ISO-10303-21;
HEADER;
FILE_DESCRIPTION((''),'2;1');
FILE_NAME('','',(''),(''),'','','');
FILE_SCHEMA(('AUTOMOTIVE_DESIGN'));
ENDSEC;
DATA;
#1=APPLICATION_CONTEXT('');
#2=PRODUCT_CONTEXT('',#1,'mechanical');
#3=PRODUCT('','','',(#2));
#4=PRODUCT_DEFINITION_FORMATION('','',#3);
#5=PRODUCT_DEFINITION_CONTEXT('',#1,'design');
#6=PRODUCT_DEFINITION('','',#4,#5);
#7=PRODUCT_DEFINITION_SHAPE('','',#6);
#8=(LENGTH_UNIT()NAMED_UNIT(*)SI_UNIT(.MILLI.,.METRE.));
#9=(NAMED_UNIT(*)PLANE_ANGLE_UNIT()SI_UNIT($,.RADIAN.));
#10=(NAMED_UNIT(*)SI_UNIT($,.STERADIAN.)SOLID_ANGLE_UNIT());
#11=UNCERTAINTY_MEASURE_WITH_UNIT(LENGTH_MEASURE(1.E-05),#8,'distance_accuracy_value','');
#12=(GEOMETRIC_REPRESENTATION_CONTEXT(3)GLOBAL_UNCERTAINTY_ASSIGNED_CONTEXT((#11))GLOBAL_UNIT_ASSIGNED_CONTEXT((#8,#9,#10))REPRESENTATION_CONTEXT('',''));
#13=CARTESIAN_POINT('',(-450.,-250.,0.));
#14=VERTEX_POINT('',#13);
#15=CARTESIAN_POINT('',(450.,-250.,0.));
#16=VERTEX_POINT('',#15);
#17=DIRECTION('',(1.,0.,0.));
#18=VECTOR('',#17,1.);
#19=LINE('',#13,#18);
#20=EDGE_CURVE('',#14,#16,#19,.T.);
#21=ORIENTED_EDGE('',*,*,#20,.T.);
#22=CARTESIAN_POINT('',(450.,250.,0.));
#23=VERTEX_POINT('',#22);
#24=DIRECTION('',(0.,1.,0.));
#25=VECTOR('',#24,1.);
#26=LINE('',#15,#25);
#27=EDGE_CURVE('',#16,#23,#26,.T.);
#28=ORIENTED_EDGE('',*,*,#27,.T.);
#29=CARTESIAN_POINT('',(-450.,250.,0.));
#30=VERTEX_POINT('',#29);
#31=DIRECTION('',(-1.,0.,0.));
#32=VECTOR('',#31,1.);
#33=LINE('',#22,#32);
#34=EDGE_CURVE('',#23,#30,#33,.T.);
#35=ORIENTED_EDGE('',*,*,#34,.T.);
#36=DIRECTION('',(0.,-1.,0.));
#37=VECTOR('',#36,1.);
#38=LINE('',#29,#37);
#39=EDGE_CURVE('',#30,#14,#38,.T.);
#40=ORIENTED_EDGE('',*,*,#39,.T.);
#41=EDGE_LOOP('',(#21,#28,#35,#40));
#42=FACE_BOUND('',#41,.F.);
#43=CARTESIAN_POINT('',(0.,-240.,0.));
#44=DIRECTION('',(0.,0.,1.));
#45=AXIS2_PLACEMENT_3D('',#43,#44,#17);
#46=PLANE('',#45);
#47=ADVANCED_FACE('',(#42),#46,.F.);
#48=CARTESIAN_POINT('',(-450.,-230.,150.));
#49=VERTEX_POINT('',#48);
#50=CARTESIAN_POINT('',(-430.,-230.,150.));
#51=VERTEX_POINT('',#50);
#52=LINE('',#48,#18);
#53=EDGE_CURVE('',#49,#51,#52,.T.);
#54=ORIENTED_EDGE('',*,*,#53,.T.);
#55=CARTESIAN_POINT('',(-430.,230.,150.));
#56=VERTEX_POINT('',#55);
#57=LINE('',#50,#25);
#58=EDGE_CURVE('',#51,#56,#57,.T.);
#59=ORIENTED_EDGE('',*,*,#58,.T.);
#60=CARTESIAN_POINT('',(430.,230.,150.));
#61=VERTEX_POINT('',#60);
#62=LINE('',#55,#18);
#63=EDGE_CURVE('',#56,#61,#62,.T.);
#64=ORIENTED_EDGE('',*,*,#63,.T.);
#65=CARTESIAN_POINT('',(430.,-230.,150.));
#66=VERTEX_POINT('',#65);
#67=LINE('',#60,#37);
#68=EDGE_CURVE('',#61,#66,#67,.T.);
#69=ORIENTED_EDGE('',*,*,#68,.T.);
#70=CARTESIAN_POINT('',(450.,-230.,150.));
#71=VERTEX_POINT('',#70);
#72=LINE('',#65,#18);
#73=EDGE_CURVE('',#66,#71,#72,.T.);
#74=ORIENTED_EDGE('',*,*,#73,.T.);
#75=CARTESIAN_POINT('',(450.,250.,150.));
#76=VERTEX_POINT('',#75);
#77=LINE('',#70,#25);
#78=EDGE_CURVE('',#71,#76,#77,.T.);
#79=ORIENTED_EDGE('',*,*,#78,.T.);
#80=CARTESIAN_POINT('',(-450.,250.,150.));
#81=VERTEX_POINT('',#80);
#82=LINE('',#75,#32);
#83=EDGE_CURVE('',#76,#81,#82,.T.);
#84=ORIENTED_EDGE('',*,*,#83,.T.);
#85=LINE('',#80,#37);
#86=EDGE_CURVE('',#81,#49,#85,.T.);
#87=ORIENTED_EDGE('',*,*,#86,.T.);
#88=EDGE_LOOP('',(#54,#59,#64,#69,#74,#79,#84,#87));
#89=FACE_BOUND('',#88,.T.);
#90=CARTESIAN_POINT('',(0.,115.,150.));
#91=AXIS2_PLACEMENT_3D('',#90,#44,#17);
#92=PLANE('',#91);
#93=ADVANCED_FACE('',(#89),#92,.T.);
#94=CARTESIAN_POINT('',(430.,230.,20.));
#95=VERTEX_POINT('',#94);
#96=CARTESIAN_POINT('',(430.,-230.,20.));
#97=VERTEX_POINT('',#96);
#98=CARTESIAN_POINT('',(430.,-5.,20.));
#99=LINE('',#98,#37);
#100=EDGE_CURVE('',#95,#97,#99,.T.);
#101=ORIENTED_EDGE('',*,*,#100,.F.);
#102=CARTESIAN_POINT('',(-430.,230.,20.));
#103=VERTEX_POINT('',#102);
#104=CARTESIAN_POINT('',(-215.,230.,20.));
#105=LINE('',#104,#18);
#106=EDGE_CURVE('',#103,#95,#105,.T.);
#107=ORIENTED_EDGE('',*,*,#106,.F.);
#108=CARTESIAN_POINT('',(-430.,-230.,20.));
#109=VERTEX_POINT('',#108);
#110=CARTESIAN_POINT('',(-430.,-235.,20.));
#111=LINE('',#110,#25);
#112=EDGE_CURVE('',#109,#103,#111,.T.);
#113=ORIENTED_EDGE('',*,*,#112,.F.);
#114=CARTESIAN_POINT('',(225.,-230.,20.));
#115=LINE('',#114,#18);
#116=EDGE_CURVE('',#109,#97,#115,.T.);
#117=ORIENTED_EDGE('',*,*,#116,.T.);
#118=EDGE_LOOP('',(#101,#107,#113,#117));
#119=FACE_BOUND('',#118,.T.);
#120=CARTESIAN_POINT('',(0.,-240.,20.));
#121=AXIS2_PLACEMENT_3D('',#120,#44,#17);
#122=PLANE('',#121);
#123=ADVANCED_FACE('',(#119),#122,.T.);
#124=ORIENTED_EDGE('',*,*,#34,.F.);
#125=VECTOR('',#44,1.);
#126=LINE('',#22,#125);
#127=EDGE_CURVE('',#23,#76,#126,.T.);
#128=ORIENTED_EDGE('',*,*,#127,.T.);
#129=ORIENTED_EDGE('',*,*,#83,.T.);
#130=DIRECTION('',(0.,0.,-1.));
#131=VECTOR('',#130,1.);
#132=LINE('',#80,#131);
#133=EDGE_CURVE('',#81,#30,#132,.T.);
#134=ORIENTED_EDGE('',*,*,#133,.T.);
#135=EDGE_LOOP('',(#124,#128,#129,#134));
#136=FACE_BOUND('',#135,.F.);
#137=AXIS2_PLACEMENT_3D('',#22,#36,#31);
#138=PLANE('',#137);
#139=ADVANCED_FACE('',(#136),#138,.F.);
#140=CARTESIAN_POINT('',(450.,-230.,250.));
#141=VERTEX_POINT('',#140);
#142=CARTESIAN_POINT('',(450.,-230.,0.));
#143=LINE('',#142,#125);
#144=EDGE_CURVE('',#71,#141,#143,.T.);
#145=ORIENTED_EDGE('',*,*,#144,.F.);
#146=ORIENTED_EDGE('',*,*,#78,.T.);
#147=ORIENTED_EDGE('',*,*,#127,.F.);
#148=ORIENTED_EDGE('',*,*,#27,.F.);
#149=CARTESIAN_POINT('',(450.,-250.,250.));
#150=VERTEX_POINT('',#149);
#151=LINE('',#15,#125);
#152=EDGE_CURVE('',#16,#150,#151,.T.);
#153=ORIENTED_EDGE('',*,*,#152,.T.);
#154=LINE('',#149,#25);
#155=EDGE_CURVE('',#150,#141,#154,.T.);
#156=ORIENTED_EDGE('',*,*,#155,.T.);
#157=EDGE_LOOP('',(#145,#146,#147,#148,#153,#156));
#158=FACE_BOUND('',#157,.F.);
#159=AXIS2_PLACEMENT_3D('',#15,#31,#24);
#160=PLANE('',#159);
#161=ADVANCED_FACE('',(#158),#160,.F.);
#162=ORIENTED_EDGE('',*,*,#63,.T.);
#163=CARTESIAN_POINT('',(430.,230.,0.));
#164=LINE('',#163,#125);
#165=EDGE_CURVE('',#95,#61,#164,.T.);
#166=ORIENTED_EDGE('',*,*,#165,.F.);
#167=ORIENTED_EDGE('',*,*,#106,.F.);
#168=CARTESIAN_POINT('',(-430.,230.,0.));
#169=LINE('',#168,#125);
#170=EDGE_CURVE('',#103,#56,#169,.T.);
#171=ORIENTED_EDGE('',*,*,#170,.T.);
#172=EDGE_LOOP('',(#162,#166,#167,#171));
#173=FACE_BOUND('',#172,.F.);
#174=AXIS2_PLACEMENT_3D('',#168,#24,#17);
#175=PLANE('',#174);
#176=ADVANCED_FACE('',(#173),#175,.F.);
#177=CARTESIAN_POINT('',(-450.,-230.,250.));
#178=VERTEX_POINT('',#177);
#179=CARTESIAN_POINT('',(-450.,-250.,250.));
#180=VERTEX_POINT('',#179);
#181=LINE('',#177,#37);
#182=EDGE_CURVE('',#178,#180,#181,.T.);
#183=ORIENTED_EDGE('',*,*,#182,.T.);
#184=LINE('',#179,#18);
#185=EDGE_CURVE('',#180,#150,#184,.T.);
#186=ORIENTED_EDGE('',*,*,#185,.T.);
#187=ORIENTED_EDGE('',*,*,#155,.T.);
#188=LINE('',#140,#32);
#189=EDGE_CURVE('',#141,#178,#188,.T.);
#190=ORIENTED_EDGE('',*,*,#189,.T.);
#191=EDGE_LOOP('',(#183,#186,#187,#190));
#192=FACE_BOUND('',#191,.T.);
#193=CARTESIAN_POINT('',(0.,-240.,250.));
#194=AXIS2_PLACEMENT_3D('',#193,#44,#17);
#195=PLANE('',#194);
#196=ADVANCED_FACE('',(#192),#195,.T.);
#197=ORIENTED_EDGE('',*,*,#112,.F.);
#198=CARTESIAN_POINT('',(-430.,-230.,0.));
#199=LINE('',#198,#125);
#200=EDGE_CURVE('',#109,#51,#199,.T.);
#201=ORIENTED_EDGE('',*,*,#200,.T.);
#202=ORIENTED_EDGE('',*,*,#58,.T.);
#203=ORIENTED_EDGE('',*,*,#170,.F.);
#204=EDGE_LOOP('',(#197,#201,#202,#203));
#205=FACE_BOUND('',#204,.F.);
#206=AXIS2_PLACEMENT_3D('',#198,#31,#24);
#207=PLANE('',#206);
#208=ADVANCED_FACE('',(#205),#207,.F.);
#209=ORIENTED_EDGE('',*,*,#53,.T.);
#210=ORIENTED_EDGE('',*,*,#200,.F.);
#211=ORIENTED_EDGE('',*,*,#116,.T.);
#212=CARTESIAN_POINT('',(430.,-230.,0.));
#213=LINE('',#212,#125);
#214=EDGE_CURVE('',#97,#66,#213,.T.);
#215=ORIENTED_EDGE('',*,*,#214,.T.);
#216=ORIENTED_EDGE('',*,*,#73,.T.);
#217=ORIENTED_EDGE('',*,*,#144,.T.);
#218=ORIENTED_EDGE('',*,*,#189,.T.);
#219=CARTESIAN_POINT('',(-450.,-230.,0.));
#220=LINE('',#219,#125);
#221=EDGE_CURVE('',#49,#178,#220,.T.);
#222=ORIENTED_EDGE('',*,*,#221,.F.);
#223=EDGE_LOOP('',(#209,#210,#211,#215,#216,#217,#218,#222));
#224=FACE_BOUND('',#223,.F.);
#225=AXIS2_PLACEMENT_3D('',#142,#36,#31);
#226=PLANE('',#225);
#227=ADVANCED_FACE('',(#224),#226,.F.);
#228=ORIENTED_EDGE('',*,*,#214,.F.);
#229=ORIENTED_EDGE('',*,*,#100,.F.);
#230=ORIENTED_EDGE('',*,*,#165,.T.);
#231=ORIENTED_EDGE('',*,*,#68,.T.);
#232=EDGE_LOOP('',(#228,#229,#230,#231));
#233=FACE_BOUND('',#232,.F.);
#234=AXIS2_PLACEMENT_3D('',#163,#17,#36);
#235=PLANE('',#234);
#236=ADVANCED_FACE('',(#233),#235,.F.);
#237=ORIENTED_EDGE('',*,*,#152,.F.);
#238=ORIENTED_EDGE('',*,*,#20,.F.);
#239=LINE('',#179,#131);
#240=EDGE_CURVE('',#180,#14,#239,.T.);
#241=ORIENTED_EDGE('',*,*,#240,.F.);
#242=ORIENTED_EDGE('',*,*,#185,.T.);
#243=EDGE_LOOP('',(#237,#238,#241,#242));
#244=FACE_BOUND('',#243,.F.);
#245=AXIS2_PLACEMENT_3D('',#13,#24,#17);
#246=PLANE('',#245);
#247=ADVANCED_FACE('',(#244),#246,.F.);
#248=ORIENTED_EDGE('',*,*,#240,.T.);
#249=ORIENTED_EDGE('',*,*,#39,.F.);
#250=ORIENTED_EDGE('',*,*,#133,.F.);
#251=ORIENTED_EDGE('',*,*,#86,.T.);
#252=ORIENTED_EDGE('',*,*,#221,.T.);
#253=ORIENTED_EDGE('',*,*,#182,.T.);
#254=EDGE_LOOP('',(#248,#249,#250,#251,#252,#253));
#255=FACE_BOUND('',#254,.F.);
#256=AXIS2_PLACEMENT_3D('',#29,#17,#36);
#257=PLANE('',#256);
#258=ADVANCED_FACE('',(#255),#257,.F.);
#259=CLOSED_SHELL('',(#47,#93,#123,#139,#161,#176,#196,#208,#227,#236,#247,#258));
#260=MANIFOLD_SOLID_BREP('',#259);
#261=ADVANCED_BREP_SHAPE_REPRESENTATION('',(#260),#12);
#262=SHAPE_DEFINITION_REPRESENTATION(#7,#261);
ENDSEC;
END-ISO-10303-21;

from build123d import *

# Parameters (mm, degrees)
F1_DEPTH = 150
F0_W     = 860
F0_H     = 460
F2_DEPTH = 20
F3_DEPTH = 250


with BuildPart() as f1:
    # F0 (on Top) → F1 (new body)
    with BuildSketch(Plane.XY):
        Polygon((430, -230), (450, -230), (450, 230), (450, 250), (-450, 250), (-450, -230), (-430, -230), (-430, 230), (430, 230), align=None)
    extrude(amount=F1_DEPTH)

    # F0 (on Top) → F2 (join)
    with BuildSketch(Plane.XY):
        Polygon((-450, -250), (450, -250), (450, -230), (430, -230), (-430, -230), (-450, -230), align=None)
        Polygon((430, -230), (450, -230), (450, 230), (450, 250), (-450, 250), (-450, -230), (-430, -230), (-430, 230), (430, 230), align=None)
        Rectangle(F0_W, F0_H)
    extrude(amount=F2_DEPTH)

    # F0 (on Top) → F3 (join)
    with BuildSketch(Plane.XY):
        Polygon((-450, -250), (450, -250), (450, -230), (430, -230), (-430, -230), (-450, -230), align=None)
    extrude(amount=F3_DEPTH)


solid = f1.part
